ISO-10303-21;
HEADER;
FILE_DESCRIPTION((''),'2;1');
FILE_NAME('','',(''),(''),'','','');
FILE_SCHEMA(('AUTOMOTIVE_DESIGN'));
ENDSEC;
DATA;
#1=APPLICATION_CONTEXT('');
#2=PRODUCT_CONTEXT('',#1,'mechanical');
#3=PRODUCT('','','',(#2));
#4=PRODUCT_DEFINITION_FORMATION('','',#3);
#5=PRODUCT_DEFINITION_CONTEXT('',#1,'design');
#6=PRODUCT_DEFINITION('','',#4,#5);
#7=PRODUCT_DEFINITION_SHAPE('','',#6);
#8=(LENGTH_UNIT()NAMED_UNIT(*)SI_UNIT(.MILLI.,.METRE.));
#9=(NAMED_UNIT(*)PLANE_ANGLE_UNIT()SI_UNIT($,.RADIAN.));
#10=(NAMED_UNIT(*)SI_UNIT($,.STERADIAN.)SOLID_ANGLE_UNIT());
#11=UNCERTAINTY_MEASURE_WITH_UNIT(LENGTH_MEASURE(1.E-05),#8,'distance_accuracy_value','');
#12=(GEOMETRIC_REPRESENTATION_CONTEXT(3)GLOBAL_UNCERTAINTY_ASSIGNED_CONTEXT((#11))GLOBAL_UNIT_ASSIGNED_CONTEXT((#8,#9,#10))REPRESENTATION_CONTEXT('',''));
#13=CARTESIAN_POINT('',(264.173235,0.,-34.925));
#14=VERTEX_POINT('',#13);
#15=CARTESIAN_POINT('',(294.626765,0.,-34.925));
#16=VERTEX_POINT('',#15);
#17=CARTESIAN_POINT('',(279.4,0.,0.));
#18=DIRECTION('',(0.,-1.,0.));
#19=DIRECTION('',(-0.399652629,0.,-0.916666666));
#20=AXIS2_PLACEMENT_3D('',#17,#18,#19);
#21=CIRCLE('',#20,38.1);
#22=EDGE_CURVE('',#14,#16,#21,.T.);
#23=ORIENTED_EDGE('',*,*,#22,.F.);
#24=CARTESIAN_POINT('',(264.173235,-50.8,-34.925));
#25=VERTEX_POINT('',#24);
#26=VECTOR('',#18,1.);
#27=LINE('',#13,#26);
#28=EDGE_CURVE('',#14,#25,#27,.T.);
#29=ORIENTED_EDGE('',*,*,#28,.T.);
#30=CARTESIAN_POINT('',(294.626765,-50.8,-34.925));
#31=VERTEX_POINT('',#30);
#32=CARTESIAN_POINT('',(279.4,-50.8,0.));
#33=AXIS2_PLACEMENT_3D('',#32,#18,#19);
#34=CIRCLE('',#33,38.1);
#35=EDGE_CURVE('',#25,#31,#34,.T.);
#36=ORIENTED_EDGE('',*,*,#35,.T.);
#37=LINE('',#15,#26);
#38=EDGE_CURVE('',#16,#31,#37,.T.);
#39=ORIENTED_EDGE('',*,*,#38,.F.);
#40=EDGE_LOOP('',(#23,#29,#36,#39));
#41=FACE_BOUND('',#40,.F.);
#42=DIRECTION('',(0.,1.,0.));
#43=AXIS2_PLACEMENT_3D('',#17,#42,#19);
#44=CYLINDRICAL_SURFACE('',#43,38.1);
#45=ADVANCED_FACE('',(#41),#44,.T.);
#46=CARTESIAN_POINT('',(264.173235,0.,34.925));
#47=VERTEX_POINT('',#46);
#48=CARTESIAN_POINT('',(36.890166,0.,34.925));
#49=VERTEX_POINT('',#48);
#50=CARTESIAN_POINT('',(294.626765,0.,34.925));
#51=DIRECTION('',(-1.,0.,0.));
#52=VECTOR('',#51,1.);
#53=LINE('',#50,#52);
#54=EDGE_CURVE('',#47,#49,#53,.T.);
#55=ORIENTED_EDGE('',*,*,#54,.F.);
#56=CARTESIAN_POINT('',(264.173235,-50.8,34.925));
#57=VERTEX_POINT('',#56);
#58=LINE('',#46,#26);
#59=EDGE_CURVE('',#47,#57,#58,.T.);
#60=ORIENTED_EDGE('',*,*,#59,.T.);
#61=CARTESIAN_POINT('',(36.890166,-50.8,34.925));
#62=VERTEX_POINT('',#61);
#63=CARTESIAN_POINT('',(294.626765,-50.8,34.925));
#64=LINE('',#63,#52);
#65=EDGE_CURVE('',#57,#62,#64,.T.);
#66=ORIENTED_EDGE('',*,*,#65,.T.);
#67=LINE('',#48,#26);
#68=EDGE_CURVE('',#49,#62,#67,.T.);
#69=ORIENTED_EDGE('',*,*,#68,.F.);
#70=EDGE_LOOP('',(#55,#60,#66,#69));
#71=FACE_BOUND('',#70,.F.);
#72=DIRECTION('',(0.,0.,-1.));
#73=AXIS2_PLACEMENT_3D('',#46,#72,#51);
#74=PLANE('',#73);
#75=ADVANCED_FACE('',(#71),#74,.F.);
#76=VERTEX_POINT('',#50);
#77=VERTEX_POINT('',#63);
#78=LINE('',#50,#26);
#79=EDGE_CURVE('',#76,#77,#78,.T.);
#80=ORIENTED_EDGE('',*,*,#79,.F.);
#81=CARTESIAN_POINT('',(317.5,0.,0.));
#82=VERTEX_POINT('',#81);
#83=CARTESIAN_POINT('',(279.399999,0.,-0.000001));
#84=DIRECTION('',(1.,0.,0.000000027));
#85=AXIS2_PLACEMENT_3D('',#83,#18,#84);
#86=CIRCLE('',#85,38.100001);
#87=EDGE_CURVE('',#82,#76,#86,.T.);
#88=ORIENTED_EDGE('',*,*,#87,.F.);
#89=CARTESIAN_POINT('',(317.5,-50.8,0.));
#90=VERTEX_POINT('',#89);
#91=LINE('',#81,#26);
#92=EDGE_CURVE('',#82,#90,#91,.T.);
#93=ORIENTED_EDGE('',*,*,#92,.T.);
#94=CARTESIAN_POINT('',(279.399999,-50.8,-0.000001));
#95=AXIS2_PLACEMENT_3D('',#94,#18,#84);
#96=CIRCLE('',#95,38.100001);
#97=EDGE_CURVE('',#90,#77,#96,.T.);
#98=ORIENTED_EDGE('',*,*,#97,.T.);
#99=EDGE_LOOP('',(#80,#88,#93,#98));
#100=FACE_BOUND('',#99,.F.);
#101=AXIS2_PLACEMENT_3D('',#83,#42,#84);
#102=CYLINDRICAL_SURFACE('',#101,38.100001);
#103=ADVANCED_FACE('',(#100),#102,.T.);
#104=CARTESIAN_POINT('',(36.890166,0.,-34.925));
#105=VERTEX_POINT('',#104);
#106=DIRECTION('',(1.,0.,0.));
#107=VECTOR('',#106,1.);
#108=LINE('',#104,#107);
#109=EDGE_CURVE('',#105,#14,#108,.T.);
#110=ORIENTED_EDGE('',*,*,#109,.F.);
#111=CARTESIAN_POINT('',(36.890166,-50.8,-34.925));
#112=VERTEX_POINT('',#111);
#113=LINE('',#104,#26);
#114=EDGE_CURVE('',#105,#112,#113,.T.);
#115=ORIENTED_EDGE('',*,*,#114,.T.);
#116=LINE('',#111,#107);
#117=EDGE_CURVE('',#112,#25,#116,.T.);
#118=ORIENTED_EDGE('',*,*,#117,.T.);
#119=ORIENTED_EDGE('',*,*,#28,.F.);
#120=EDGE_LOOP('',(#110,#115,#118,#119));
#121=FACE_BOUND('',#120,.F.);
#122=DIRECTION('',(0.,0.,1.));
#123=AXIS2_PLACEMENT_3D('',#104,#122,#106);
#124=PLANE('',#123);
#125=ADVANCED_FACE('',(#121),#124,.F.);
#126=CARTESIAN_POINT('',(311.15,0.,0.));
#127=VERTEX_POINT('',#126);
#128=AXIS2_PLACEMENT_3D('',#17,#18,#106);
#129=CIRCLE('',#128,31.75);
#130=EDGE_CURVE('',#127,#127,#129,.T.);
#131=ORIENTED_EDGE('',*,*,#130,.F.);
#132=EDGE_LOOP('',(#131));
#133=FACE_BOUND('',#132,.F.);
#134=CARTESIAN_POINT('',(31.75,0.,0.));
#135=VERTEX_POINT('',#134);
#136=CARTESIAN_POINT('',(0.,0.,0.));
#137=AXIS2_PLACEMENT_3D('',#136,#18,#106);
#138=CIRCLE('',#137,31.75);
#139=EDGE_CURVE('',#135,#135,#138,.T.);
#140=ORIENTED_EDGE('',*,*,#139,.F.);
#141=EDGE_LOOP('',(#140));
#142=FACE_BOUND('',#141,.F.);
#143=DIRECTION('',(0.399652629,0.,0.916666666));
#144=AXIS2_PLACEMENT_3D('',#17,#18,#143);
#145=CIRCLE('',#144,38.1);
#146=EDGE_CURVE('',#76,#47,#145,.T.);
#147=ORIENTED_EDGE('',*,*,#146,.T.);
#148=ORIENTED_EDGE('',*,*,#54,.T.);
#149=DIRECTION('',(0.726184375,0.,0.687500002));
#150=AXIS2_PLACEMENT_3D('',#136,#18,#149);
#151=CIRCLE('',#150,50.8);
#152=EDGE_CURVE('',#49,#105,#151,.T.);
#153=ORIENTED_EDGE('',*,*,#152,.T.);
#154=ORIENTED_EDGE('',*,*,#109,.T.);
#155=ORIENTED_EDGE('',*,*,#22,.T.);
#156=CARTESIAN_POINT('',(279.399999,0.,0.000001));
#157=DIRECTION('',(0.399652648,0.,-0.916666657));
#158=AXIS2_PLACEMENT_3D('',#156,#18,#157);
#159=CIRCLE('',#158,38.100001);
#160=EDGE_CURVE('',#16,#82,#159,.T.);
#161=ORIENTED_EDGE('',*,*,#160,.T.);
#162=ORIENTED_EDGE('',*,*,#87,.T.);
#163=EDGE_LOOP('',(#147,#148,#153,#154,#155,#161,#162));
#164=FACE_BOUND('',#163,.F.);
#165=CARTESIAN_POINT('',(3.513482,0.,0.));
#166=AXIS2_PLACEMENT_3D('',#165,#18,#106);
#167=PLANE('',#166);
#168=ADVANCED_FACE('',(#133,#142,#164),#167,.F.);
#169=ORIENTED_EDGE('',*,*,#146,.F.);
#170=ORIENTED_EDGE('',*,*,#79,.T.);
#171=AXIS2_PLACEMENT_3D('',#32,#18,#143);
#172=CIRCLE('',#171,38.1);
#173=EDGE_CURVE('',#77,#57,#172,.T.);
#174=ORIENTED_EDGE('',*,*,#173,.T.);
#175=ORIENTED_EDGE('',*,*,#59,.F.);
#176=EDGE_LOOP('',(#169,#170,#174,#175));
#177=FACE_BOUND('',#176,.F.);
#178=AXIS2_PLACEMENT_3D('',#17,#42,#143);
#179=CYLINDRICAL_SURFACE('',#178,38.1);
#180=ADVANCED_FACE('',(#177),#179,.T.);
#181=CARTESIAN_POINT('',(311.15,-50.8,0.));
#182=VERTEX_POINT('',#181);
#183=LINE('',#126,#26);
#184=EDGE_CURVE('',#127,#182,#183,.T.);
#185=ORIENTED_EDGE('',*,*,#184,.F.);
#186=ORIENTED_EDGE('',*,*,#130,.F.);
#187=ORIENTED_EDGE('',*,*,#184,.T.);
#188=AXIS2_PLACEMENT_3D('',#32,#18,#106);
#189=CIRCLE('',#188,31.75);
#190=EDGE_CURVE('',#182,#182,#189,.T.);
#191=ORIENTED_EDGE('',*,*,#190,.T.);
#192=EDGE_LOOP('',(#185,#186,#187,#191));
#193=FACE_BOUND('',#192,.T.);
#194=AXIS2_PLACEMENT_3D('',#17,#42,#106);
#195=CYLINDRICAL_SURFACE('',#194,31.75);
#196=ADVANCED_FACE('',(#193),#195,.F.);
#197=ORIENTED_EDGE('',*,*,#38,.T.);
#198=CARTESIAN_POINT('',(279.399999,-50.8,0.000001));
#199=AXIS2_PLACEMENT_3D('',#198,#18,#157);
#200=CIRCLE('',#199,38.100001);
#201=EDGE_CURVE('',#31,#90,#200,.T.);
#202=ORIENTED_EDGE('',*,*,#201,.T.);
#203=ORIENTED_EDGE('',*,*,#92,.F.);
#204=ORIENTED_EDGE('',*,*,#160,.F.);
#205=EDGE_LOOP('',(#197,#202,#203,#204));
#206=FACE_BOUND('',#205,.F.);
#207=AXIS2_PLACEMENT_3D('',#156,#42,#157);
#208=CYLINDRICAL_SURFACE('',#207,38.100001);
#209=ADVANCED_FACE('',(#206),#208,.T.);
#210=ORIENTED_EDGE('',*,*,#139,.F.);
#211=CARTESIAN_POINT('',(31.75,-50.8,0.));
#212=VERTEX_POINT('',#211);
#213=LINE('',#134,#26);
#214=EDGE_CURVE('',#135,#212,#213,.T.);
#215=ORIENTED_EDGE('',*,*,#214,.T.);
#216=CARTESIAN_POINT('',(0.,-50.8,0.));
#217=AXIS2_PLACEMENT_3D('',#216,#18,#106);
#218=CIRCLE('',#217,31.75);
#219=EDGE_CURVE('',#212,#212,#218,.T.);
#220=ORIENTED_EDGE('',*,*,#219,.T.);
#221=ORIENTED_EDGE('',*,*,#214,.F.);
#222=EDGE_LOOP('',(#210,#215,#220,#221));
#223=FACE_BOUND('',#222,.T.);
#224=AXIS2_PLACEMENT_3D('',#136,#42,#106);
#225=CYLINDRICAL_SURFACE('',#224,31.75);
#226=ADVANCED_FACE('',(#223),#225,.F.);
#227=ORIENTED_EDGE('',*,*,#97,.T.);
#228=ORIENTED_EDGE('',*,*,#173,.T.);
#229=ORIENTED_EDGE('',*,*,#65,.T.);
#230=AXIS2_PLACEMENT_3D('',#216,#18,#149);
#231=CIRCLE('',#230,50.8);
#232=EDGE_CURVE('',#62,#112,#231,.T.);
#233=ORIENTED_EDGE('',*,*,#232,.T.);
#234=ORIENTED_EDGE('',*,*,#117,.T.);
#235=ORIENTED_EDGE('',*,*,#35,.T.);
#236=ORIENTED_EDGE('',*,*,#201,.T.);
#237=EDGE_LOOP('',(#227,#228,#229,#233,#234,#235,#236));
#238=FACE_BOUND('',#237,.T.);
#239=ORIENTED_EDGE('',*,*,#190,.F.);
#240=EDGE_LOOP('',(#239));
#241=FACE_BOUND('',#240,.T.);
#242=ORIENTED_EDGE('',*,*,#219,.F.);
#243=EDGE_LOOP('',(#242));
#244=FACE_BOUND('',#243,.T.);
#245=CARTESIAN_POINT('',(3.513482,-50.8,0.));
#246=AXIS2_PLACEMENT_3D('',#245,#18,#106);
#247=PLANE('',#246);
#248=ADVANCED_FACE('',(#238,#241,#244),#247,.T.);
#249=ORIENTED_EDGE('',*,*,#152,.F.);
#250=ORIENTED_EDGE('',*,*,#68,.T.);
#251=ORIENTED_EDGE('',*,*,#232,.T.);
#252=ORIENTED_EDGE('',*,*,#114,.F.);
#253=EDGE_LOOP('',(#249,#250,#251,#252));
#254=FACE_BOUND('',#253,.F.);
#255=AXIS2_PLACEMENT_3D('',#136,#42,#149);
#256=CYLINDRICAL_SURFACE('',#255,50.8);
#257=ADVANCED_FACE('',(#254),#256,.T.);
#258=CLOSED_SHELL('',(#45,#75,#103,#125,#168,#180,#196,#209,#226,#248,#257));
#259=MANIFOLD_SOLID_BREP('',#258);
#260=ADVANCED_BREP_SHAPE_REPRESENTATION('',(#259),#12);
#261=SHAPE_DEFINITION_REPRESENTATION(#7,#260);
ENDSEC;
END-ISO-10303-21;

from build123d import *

# Parameters (mm, degrees)
F0_R     = 31.75
F1_DEPTH = 50.8


with BuildPart() as f1:
    # F0 (on Front) → F1 (new body)
    with BuildSketch(Plane.XZ):
        with BuildLine():
            ThreePointArc((36.890166, -34.925), (47.1946, -18.796536), (50.8, 0))
            ThreePointArc((50.8, 0), (47.1946, 18.796536), (36.890166, 34.925))
            ThreePointArc((36.890166, 34.925), (-50.8, 0), (36.890166, -34.925))
        make_face()
        Circle(F0_R, mode=Mode.SUBTRACT)
        with BuildLine():
            ThreePointArc((36.890166, 34.925), (47.1946, 18.796536), (50.8, 0))
            ThreePointArc((50.8, 0), (47.1946, -18.796536), (36.890166, -34.925))
            Line((36.890166, -34.925), (264.173235, -34.925))
            ThreePointArc((264.173235, -34.925), (241.3, 0), (264.173235, 34.925))
            Line((264.173235, 34.925), (36.890166, 34.925))
        make_face()
        with BuildLine():
            Line((294.626765, 34.925), (264.173235, 34.925))
            ThreePointArc((264.173235, 34.925), (241.3, 0), (264.173235, -34.925))
            Line((264.173235, -34.925), (294.626765, -34.925))
            ThreePointArc((294.626765, -34.925), (311.272792, -20.874269), (317.5, 0))
            ThreePointArc((317.5, 0), (311.272792, 20.874269), (294.626765, 34.925))
        make_face()
        with Locations((279.4, 0)):
            Circle(F0_R, mode=Mode.SUBTRACT)
        with BuildLine():
            ThreePointArc((294.626765, 34.925), (279.4, 38.1), (264.173235, 34.925))
            Line((264.173235, 34.925), (294.626765, 34.925))
        make_face()
        with BuildLine():
            Line((294.626765, -34.925), (264.173235, -34.925))
            ThreePointArc((264.173235, -34.925), (279.4, -38.1), (294.626765, -34.925))
        make_face()
    extrude(amount=F1_DEPTH)


solid = f1.part
